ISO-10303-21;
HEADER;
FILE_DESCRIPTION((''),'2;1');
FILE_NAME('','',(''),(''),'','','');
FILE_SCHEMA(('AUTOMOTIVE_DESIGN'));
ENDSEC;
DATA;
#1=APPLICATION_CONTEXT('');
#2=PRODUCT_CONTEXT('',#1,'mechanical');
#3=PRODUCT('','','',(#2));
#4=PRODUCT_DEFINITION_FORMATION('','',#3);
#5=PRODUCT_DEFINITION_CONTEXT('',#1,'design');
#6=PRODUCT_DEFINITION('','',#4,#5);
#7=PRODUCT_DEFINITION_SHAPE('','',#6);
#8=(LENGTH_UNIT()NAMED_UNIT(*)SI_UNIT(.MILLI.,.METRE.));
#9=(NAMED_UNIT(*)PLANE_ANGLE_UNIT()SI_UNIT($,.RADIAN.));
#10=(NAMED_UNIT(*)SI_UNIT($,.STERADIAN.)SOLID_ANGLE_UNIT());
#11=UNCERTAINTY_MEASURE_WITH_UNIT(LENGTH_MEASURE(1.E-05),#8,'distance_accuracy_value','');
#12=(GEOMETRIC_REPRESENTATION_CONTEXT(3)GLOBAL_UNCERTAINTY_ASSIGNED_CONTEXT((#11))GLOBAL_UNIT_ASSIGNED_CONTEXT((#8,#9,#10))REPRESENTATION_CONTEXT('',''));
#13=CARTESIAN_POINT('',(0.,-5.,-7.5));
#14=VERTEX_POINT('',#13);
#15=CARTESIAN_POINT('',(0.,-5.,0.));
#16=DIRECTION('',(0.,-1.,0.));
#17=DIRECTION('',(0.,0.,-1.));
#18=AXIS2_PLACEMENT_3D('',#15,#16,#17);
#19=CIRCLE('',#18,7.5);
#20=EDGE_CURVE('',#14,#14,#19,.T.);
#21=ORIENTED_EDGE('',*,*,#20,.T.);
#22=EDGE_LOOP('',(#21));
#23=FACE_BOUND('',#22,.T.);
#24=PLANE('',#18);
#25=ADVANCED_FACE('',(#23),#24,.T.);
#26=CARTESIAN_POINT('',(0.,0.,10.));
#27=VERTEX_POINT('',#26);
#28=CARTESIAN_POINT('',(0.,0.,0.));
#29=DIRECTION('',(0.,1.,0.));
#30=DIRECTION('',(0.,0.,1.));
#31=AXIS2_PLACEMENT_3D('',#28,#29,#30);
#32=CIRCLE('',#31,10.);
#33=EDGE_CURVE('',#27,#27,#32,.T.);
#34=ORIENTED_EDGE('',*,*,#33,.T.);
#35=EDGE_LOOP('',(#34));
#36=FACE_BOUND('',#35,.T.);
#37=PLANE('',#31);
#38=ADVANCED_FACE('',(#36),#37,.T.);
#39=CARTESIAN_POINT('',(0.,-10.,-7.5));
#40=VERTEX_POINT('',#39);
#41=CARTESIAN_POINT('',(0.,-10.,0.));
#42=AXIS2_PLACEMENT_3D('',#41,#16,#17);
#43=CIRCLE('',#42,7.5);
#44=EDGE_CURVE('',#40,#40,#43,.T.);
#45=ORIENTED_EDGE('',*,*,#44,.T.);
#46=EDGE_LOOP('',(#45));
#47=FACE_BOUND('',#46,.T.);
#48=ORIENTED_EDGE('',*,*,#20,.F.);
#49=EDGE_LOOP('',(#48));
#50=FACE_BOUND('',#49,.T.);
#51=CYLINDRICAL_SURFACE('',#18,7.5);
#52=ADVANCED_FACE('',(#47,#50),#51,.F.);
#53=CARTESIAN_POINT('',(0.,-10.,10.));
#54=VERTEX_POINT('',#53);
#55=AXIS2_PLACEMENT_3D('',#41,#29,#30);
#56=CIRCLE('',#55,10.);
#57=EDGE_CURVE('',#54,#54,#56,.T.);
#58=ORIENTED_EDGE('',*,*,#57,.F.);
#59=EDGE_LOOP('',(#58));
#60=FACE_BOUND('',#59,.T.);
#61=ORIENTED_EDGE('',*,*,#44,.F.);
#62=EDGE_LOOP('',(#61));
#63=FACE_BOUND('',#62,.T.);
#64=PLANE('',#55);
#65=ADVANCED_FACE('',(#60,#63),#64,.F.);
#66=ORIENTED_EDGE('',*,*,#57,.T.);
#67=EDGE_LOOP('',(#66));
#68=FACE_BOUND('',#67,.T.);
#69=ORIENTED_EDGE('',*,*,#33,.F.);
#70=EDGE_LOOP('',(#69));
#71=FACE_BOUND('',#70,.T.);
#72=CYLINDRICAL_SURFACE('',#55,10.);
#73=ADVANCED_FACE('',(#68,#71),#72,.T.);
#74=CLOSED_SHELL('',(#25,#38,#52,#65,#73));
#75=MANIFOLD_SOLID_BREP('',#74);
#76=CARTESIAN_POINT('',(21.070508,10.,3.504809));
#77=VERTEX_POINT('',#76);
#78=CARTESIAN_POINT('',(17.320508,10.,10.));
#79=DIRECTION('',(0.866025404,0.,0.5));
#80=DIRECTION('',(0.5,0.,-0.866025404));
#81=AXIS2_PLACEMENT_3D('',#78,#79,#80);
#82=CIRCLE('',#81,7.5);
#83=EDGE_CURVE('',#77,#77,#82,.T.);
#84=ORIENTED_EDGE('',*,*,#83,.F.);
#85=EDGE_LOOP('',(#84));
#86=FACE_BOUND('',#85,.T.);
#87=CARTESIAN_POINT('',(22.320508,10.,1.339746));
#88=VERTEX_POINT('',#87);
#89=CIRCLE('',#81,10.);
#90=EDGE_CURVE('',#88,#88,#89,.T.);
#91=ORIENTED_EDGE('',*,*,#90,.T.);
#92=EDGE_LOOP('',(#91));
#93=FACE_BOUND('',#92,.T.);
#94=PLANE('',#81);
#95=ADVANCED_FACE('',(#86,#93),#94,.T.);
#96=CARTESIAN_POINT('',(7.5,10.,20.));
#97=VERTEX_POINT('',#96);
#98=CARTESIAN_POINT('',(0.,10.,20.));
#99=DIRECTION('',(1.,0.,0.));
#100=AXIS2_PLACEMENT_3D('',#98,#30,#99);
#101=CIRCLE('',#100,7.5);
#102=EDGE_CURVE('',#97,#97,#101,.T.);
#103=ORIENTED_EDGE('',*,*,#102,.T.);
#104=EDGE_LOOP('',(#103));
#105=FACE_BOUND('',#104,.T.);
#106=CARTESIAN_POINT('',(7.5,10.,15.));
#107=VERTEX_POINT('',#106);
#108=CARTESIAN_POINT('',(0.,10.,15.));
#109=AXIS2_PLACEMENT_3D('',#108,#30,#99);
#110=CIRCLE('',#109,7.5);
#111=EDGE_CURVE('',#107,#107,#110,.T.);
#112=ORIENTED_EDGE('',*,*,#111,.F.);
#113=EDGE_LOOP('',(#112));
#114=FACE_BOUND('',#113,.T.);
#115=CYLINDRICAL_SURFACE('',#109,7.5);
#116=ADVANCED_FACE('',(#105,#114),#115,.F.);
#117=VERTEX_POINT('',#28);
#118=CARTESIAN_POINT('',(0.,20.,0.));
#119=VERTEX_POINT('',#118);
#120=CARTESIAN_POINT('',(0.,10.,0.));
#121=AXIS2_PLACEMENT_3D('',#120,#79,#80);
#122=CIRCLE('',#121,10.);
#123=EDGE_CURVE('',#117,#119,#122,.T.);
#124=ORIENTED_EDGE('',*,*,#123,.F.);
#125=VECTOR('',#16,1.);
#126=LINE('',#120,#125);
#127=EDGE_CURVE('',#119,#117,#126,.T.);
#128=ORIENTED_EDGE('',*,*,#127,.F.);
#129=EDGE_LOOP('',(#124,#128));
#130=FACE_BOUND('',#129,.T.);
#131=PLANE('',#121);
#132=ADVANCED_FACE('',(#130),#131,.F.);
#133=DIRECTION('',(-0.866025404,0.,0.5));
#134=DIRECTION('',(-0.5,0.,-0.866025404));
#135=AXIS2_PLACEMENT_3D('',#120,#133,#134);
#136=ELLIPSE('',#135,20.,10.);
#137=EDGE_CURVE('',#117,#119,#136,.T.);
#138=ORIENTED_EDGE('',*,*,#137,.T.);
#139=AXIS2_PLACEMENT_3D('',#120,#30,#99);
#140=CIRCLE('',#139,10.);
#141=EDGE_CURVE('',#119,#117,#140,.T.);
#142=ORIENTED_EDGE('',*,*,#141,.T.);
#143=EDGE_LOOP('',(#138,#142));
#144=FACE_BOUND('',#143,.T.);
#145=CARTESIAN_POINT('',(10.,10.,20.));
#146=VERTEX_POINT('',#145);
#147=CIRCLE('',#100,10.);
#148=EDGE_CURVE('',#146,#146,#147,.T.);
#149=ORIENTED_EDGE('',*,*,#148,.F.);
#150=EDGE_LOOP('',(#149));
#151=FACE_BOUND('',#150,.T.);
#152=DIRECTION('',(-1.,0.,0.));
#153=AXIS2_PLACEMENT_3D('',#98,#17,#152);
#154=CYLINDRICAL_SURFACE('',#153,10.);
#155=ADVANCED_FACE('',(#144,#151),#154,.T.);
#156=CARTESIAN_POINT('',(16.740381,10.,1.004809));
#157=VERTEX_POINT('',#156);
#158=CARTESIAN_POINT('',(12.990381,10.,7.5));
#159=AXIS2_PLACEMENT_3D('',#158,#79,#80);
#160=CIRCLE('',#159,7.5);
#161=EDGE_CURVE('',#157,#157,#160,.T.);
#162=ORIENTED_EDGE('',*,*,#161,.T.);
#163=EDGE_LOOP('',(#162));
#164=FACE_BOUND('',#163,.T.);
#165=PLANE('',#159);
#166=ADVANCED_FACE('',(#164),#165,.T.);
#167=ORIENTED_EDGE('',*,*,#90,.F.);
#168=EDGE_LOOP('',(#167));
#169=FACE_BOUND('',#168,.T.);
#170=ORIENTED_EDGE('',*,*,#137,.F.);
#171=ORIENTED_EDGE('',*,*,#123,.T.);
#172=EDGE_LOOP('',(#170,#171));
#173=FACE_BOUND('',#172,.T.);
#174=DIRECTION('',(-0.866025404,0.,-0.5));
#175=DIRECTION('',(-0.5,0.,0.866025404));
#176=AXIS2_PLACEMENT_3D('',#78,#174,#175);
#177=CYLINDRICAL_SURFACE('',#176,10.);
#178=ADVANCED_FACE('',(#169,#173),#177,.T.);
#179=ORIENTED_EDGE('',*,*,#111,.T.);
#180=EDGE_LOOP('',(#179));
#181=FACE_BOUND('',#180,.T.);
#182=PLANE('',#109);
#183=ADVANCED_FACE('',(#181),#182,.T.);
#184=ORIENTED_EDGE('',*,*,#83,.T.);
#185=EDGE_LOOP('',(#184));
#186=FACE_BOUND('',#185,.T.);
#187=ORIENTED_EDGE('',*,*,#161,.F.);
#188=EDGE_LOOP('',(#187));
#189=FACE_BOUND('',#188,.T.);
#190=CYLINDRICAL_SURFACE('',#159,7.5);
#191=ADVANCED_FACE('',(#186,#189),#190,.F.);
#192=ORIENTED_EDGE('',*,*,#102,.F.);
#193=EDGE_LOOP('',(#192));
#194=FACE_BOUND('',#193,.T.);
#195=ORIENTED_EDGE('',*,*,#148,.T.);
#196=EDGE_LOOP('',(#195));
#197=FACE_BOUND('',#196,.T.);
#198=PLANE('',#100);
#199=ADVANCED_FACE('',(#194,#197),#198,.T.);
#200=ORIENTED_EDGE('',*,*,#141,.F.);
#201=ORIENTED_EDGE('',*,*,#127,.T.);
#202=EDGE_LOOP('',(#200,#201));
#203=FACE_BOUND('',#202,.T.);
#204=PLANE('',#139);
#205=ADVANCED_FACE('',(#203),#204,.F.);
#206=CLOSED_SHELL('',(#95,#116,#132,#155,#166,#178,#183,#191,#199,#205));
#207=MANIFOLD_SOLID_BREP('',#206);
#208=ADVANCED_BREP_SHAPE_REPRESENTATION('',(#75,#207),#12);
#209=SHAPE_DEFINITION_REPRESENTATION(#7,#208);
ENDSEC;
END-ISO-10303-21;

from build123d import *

# Parameters (mm, degrees)
SKETCH1_R           = 10
BOSS_EXTRUDE1_DEPTH = 10
SKETCH2_R           = 7.5
CUT_EXTRUDE1_DEPTH  = 5
SKETCH7_R           = 10
BOSS_EXTRUDE2_DEPTH = 20
SKETCH9_R           = 10
BOSS_EXTRUDE3_DEPTH = 20
SKETCH10_R          = 7.5
CUT_EXTRUDE2_DEPTH  = 5
SKETCH11_R          = 7.5
CUT_EXTRUDE3_DEPTH  = 5


with BuildPart() as part:
    # Sketch1 → Boss-Extrude1 (new body)
    with BuildSketch(Plane(origin=(0, 0, 0), x_dir=(1, 0, 0), z_dir=(0, 1, 0))):
        Circle(SKETCH1_R)
    extrude(amount=-BOSS_EXTRUDE1_DEPTH)

    # Sketch2 → Cut-Extrude1 (cut)
    with BuildSketch(Plane.XZ.offset(10)):
        Circle(SKETCH2_R)
    extrude(amount=-CUT_EXTRUDE1_DEPTH, mode=Mode.SUBTRACT)


with BuildPart() as body_2:
    # Sketch7 → Boss-Extrude2 (new body)
    with BuildSketch(Plane(origin=(0, 0, 0), x_dir=(0, -1, 0), z_dir=(0.866025403784438, 0, 0.500000000000001))):
        with Locations((-10, 0)):
            Circle(SKETCH7_R)
    extrude(amount=BOSS_EXTRUDE2_DEPTH)

    # Sketch9 → Boss-Extrude3 (add)
    with BuildSketch(Plane.XY):
        with Locations((0, 10)):
            Circle(SKETCH9_R)
    extrude(amount=BOSS_EXTRUDE3_DEPTH)

    # Sketch10 → Cut-Extrude2 (cut)
    with BuildSketch(Plane.XY.offset(20)):
        with Locations((0, 10)):
            Circle(SKETCH10_R)
    extrude(amount=-CUT_EXTRUDE2_DEPTH, mode=Mode.SUBTRACT)

    # Sketch11 → Cut-Extrude3 (cut)
    with BuildSketch(Plane(origin=(17.320508076, 0, 10), x_dir=(0.500000000000001, 0, -0.8660254037844382), z_dir=(0.8660254037844382, 0, 0.500000000000001))):
        with Locations((0, 10)):
            Circle(SKETCH11_R)
    extrude(amount=-CUT_EXTRUDE3_DEPTH, mode=Mode.SUBTRACT)


solid = Compound([part.part, body_2.part])
